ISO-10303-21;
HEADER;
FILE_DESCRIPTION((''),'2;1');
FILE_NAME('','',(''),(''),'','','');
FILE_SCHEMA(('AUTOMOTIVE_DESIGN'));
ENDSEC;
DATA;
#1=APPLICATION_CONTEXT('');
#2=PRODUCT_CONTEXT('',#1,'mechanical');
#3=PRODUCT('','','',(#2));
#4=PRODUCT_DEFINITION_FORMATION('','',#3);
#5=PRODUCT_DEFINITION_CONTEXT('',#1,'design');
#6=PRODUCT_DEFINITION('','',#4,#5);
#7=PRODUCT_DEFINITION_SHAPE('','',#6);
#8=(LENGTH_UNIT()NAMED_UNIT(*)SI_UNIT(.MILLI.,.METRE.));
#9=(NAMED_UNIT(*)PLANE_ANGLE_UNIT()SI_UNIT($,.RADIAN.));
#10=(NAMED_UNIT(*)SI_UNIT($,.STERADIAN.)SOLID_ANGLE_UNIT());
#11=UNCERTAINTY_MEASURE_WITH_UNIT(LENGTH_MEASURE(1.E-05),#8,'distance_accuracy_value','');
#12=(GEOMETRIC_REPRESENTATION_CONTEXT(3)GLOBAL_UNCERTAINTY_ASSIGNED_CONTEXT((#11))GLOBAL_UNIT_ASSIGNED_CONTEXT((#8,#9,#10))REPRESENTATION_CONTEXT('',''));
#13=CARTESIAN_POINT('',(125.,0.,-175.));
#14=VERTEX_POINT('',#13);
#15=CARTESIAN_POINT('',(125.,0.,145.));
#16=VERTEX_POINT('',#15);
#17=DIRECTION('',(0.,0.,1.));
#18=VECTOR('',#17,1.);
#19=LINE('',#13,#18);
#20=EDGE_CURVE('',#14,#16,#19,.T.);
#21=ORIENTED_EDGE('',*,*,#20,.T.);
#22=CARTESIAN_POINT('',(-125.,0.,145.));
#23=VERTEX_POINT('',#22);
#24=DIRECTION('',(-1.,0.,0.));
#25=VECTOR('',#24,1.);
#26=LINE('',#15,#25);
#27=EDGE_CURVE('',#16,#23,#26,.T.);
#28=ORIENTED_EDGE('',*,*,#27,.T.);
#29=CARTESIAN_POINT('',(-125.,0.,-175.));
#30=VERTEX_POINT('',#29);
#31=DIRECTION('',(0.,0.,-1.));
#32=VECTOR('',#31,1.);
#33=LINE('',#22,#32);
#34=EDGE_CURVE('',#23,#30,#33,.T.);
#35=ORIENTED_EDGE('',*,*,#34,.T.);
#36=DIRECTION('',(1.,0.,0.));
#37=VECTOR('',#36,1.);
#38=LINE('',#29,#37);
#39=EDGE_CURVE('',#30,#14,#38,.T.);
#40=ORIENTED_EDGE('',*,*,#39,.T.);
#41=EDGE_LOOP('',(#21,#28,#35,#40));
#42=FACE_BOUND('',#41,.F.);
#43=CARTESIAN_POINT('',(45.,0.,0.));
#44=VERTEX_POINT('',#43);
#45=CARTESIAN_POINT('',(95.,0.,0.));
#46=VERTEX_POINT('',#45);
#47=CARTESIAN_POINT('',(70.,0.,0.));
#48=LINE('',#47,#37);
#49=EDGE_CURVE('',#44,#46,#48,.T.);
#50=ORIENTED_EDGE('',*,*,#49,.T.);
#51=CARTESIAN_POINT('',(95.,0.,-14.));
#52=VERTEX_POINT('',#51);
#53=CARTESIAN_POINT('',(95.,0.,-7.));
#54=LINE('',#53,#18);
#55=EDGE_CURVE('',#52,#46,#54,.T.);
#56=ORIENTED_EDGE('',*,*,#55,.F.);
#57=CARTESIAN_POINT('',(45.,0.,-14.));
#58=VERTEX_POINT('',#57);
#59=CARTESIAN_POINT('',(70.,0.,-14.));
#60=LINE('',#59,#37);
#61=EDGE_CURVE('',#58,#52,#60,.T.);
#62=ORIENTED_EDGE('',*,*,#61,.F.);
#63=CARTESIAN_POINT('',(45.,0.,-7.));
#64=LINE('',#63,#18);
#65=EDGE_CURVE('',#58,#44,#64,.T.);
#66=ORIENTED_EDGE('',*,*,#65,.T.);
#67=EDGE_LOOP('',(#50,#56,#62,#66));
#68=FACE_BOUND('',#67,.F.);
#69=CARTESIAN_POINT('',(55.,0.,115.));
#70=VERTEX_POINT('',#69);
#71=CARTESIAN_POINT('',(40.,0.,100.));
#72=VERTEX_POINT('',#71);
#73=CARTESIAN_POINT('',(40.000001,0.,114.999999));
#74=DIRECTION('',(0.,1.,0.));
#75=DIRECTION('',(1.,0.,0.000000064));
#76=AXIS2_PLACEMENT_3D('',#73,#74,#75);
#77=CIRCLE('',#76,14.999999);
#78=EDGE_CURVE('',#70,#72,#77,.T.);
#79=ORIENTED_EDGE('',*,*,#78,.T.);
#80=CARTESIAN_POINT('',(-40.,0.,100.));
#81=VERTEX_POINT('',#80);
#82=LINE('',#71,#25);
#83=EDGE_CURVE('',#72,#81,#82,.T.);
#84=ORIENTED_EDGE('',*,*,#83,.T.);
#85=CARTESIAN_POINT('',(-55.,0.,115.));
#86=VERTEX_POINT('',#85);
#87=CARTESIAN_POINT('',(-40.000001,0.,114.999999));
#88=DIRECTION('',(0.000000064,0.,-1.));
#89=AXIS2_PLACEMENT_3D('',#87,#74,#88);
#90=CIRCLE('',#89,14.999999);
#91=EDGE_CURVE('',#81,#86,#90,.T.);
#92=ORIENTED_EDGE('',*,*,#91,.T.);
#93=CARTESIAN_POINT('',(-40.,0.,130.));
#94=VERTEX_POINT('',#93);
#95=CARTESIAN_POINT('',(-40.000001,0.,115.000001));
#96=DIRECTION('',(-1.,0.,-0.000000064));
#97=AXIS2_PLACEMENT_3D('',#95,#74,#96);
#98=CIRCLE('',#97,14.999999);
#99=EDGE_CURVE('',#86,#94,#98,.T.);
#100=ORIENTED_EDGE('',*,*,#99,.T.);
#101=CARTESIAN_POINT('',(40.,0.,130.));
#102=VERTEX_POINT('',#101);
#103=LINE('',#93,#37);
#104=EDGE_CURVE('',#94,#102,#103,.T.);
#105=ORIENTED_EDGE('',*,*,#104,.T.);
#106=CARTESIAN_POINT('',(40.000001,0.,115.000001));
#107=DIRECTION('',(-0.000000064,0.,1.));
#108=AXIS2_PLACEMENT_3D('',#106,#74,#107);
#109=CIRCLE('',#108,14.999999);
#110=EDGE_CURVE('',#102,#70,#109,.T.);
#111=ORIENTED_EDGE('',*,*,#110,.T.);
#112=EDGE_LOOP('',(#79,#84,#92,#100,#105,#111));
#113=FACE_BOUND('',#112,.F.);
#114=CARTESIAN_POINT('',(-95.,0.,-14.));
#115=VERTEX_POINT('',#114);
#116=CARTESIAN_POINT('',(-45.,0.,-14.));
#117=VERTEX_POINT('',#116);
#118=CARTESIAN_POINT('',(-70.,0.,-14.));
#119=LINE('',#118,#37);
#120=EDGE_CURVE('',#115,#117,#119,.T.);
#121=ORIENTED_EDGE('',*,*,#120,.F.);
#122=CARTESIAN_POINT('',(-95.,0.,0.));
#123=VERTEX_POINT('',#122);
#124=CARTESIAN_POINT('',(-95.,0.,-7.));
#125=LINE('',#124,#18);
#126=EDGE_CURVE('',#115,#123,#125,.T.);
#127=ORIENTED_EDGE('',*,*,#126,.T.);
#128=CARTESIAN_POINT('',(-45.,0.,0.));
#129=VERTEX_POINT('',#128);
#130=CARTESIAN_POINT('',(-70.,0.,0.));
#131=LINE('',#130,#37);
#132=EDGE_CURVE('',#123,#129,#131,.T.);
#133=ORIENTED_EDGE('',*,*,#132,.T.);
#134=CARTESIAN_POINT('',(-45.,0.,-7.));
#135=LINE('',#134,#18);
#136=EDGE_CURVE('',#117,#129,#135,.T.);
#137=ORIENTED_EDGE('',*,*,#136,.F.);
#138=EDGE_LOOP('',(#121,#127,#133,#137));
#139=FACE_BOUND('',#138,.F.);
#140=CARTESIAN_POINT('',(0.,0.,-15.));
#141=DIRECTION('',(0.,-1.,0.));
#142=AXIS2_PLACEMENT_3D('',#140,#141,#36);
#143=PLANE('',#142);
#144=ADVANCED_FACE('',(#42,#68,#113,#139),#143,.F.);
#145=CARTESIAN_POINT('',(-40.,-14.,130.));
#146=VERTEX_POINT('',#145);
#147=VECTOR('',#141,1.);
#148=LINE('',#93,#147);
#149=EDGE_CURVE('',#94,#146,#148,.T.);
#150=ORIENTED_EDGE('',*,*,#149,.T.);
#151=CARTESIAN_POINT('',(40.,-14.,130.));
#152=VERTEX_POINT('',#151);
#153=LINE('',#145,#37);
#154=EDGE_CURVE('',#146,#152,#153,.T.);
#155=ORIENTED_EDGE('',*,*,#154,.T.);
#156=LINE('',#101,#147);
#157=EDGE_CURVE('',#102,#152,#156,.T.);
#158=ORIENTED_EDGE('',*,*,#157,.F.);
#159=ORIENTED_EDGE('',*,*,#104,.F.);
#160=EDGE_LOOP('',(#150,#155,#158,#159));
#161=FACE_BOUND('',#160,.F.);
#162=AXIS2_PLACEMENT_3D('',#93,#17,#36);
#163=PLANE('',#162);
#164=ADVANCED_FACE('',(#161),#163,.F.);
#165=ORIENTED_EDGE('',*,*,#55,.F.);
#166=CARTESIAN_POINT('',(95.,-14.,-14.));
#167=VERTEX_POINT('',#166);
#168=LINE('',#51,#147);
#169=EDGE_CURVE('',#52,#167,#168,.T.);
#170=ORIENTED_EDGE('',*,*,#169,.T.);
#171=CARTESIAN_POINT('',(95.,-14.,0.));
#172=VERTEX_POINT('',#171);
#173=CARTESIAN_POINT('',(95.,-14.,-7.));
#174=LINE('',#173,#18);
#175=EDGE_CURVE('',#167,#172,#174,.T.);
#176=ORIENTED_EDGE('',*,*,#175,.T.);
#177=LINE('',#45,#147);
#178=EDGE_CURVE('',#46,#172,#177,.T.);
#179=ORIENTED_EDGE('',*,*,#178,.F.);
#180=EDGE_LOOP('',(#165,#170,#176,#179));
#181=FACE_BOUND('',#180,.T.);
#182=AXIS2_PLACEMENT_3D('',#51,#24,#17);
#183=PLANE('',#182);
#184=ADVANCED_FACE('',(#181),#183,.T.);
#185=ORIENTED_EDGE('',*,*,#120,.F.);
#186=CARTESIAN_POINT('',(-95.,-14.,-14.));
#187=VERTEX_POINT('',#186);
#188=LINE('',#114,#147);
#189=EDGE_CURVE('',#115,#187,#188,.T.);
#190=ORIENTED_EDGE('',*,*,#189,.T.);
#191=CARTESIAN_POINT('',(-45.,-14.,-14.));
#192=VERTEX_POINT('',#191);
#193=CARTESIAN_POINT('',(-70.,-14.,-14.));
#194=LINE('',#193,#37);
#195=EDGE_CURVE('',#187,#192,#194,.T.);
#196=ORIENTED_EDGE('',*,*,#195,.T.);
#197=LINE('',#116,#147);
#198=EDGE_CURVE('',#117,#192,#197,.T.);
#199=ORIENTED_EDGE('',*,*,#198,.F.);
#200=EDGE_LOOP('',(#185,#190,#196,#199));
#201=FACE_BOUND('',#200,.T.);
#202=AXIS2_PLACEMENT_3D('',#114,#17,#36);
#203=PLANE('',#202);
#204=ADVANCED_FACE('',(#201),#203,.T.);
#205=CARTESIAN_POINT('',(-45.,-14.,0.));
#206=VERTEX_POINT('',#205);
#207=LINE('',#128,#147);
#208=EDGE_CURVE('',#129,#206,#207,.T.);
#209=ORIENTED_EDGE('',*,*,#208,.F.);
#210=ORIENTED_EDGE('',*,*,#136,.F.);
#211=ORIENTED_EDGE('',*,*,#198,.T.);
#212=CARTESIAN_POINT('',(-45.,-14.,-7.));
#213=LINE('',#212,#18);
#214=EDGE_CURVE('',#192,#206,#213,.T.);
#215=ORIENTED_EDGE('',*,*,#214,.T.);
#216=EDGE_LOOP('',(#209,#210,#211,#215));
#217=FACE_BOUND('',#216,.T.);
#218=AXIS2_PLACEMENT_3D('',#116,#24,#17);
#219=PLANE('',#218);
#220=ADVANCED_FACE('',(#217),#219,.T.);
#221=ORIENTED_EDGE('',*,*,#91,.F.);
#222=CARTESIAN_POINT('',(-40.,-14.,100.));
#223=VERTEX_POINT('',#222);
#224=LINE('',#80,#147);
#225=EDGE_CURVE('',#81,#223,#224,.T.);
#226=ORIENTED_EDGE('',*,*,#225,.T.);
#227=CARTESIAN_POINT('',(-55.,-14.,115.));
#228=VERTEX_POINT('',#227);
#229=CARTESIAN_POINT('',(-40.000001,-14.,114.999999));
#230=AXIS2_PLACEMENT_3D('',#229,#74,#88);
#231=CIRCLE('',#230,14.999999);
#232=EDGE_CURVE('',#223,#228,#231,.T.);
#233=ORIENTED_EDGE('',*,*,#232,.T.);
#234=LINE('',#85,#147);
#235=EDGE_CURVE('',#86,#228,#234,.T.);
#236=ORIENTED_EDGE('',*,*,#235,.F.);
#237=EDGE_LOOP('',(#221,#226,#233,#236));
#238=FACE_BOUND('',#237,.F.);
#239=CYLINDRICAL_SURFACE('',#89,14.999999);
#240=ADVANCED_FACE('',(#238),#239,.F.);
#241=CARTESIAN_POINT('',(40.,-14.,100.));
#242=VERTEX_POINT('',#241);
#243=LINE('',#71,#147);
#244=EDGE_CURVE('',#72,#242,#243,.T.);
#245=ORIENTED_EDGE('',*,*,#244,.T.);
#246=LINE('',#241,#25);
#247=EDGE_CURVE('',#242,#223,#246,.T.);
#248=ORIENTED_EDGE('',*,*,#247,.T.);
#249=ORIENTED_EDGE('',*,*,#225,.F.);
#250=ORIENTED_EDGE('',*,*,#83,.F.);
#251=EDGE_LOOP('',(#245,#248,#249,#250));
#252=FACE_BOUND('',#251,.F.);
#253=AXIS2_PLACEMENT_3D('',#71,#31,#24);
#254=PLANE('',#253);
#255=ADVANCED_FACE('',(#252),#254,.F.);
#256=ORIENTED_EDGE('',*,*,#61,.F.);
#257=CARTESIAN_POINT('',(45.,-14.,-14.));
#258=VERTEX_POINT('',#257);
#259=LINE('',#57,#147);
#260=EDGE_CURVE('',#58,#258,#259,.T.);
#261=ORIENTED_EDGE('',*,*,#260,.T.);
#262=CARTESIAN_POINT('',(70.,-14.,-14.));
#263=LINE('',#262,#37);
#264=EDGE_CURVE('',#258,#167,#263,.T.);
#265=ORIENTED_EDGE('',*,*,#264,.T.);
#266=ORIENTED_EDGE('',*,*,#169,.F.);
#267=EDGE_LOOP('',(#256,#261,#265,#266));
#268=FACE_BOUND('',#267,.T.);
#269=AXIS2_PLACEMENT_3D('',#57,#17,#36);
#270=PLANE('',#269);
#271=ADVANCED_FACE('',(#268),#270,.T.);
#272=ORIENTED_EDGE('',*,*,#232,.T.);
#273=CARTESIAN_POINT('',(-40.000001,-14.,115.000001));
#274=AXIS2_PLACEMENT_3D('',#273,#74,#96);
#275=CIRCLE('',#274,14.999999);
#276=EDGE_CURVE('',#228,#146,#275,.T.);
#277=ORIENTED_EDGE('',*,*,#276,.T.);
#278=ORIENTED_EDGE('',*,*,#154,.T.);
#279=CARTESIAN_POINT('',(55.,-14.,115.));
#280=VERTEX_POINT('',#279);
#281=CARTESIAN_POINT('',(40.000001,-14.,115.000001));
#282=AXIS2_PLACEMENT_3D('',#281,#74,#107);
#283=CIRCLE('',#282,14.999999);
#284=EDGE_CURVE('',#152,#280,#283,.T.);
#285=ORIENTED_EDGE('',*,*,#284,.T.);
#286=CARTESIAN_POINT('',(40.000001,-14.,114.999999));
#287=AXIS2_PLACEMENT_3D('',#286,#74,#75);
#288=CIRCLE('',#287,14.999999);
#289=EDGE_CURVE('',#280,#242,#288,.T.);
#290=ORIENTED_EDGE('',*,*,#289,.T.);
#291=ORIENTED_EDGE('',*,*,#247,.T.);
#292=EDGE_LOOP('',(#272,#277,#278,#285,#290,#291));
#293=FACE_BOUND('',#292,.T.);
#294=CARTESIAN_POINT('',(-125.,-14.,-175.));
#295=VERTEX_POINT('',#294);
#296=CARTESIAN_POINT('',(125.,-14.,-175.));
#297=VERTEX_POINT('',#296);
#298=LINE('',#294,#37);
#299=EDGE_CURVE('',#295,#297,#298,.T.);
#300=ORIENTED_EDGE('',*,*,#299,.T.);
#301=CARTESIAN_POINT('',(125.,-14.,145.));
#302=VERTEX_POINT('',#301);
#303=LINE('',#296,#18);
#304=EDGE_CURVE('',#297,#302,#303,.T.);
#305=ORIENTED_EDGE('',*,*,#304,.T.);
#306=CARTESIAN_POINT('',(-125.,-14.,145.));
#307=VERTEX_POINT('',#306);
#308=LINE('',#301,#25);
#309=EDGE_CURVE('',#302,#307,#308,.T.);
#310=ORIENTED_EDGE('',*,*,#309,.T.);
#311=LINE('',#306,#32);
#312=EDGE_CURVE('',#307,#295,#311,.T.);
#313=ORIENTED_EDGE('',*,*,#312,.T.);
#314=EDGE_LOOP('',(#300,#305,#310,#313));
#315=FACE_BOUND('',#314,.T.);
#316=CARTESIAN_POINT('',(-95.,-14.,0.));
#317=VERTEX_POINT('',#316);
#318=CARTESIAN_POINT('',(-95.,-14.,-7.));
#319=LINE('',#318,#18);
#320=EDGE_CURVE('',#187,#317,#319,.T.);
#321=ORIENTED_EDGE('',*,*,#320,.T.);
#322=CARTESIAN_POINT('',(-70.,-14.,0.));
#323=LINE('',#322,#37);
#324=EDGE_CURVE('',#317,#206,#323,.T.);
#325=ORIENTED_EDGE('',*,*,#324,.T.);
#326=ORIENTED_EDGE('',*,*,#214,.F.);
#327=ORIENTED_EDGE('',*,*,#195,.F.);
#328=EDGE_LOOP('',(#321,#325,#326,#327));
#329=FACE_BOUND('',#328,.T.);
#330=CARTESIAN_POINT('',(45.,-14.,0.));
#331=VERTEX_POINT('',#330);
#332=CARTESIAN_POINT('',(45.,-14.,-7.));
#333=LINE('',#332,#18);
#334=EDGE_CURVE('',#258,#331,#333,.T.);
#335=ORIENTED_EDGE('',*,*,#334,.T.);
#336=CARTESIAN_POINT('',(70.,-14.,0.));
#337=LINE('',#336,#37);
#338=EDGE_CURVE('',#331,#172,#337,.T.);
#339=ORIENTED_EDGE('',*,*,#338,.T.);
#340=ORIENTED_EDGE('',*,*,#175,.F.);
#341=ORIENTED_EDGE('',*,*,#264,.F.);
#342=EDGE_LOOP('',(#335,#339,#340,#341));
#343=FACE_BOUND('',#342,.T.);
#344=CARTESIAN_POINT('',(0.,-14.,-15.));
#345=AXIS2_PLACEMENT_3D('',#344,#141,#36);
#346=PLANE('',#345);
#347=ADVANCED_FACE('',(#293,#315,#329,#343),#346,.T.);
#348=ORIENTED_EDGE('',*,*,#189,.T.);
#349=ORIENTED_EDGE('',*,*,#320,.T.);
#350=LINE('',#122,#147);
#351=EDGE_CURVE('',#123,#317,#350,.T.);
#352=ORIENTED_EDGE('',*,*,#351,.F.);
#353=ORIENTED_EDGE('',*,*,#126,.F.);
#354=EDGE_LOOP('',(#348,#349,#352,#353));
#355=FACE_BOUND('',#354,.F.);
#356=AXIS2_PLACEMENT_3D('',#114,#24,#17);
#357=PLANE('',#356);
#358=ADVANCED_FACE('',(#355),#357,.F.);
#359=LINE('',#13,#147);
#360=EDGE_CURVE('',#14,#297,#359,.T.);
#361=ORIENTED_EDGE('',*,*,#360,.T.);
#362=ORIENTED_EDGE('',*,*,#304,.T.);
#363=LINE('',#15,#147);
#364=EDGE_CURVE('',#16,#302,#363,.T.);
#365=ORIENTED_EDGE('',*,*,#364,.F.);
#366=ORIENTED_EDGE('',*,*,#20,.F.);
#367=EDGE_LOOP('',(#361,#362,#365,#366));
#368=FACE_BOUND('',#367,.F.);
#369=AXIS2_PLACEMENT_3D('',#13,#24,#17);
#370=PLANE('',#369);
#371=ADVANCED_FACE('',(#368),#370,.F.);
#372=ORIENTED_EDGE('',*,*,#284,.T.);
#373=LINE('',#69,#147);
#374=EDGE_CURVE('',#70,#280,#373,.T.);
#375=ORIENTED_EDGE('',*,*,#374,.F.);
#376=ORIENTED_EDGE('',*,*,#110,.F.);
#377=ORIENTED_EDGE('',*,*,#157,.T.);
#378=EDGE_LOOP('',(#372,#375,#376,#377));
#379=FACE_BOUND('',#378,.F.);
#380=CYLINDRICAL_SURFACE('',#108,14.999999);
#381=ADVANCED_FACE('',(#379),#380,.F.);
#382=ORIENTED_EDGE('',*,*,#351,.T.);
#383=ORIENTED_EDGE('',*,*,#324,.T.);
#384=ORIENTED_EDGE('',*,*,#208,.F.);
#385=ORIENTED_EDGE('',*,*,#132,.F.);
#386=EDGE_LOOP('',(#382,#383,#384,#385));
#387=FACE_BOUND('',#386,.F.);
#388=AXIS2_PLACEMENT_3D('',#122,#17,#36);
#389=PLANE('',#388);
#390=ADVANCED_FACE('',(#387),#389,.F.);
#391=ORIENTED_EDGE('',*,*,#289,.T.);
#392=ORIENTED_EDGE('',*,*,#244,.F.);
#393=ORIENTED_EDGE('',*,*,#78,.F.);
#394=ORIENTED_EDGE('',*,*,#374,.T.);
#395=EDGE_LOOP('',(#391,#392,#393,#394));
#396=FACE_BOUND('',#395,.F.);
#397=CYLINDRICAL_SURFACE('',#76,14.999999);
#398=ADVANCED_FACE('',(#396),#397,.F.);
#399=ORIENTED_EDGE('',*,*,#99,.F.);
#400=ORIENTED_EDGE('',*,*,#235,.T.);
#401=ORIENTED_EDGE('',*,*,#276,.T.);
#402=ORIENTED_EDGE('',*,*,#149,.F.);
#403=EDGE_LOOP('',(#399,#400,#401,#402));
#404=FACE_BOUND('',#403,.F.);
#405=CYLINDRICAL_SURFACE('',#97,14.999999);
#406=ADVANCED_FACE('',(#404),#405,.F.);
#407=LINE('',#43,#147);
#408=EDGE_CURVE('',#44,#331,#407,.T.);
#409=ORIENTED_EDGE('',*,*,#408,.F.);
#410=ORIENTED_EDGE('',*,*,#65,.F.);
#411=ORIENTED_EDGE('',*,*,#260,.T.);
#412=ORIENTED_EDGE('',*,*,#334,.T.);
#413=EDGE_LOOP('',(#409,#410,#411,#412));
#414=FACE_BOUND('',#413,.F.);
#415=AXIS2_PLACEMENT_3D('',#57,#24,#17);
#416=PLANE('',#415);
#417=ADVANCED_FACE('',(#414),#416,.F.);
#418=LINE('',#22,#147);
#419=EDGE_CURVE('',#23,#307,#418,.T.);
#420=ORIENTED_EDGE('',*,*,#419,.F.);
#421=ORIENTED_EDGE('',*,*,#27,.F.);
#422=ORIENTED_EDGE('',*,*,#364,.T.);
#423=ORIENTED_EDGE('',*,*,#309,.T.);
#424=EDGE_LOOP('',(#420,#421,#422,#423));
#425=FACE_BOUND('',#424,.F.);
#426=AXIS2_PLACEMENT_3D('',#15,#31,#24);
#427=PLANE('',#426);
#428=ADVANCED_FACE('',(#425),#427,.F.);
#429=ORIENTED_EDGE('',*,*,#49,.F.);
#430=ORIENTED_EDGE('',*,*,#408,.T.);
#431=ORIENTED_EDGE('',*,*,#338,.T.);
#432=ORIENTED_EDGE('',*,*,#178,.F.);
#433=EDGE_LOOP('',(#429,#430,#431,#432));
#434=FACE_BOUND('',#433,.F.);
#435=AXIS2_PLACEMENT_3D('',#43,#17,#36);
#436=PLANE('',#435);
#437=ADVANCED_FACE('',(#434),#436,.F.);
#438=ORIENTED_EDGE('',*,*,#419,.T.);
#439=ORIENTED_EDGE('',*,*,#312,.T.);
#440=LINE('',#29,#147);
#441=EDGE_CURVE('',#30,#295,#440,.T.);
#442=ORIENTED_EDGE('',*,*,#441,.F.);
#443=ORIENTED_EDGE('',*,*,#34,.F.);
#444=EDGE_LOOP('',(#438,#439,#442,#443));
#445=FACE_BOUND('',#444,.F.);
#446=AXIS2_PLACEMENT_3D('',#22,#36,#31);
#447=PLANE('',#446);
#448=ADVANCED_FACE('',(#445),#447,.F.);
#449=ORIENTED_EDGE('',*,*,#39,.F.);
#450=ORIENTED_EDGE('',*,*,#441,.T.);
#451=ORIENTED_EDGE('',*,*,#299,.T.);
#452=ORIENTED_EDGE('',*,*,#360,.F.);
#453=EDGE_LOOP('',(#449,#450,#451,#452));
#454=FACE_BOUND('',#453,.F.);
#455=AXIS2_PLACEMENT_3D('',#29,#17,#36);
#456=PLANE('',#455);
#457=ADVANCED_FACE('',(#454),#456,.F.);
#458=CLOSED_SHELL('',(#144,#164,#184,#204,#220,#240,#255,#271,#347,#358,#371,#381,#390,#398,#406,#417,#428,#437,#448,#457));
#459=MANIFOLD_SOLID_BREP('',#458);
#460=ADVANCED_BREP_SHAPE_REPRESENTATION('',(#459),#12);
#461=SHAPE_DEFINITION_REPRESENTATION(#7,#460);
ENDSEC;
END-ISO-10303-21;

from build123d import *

# Parameters (mm, degrees)
F0_W     = 50
F0_H     = 14
F1_DEPTH = 14


with BuildPart() as f1:
    # F0 (on Front) → F1 (new body)
    with BuildSketch(Plane.XZ):
        Polygon((-125, 145), (-125, 0), (-125, -175), (125, -175), (125, 0), (125, 145), align=None)
        with Locations((-70, -7)):
            Rectangle(F0_W, F0_H, mode=Mode.SUBTRACT)
        with Locations((70, -7)):
            Rectangle(F0_W, F0_H, mode=Mode.SUBTRACT)
        with BuildLine():
            ThreePointArc((-55, 115), (-50.606602, 125.606602), (-40, 130))
            Line((-40, 130), (40, 130))
            ThreePointArc((40, 130), (50.606602, 125.606602), (55, 115))
            ThreePointArc((55, 115), (50.606602, 104.393398), (40, 100))
            Line((40, 100), (-40, 100))
            ThreePointArc((-40, 100), (-50.606602, 104.393398), (-55, 115))
        make_face(mode=Mode.SUBTRACT)
    extrude(amount=F1_DEPTH)


solid = f1.part
